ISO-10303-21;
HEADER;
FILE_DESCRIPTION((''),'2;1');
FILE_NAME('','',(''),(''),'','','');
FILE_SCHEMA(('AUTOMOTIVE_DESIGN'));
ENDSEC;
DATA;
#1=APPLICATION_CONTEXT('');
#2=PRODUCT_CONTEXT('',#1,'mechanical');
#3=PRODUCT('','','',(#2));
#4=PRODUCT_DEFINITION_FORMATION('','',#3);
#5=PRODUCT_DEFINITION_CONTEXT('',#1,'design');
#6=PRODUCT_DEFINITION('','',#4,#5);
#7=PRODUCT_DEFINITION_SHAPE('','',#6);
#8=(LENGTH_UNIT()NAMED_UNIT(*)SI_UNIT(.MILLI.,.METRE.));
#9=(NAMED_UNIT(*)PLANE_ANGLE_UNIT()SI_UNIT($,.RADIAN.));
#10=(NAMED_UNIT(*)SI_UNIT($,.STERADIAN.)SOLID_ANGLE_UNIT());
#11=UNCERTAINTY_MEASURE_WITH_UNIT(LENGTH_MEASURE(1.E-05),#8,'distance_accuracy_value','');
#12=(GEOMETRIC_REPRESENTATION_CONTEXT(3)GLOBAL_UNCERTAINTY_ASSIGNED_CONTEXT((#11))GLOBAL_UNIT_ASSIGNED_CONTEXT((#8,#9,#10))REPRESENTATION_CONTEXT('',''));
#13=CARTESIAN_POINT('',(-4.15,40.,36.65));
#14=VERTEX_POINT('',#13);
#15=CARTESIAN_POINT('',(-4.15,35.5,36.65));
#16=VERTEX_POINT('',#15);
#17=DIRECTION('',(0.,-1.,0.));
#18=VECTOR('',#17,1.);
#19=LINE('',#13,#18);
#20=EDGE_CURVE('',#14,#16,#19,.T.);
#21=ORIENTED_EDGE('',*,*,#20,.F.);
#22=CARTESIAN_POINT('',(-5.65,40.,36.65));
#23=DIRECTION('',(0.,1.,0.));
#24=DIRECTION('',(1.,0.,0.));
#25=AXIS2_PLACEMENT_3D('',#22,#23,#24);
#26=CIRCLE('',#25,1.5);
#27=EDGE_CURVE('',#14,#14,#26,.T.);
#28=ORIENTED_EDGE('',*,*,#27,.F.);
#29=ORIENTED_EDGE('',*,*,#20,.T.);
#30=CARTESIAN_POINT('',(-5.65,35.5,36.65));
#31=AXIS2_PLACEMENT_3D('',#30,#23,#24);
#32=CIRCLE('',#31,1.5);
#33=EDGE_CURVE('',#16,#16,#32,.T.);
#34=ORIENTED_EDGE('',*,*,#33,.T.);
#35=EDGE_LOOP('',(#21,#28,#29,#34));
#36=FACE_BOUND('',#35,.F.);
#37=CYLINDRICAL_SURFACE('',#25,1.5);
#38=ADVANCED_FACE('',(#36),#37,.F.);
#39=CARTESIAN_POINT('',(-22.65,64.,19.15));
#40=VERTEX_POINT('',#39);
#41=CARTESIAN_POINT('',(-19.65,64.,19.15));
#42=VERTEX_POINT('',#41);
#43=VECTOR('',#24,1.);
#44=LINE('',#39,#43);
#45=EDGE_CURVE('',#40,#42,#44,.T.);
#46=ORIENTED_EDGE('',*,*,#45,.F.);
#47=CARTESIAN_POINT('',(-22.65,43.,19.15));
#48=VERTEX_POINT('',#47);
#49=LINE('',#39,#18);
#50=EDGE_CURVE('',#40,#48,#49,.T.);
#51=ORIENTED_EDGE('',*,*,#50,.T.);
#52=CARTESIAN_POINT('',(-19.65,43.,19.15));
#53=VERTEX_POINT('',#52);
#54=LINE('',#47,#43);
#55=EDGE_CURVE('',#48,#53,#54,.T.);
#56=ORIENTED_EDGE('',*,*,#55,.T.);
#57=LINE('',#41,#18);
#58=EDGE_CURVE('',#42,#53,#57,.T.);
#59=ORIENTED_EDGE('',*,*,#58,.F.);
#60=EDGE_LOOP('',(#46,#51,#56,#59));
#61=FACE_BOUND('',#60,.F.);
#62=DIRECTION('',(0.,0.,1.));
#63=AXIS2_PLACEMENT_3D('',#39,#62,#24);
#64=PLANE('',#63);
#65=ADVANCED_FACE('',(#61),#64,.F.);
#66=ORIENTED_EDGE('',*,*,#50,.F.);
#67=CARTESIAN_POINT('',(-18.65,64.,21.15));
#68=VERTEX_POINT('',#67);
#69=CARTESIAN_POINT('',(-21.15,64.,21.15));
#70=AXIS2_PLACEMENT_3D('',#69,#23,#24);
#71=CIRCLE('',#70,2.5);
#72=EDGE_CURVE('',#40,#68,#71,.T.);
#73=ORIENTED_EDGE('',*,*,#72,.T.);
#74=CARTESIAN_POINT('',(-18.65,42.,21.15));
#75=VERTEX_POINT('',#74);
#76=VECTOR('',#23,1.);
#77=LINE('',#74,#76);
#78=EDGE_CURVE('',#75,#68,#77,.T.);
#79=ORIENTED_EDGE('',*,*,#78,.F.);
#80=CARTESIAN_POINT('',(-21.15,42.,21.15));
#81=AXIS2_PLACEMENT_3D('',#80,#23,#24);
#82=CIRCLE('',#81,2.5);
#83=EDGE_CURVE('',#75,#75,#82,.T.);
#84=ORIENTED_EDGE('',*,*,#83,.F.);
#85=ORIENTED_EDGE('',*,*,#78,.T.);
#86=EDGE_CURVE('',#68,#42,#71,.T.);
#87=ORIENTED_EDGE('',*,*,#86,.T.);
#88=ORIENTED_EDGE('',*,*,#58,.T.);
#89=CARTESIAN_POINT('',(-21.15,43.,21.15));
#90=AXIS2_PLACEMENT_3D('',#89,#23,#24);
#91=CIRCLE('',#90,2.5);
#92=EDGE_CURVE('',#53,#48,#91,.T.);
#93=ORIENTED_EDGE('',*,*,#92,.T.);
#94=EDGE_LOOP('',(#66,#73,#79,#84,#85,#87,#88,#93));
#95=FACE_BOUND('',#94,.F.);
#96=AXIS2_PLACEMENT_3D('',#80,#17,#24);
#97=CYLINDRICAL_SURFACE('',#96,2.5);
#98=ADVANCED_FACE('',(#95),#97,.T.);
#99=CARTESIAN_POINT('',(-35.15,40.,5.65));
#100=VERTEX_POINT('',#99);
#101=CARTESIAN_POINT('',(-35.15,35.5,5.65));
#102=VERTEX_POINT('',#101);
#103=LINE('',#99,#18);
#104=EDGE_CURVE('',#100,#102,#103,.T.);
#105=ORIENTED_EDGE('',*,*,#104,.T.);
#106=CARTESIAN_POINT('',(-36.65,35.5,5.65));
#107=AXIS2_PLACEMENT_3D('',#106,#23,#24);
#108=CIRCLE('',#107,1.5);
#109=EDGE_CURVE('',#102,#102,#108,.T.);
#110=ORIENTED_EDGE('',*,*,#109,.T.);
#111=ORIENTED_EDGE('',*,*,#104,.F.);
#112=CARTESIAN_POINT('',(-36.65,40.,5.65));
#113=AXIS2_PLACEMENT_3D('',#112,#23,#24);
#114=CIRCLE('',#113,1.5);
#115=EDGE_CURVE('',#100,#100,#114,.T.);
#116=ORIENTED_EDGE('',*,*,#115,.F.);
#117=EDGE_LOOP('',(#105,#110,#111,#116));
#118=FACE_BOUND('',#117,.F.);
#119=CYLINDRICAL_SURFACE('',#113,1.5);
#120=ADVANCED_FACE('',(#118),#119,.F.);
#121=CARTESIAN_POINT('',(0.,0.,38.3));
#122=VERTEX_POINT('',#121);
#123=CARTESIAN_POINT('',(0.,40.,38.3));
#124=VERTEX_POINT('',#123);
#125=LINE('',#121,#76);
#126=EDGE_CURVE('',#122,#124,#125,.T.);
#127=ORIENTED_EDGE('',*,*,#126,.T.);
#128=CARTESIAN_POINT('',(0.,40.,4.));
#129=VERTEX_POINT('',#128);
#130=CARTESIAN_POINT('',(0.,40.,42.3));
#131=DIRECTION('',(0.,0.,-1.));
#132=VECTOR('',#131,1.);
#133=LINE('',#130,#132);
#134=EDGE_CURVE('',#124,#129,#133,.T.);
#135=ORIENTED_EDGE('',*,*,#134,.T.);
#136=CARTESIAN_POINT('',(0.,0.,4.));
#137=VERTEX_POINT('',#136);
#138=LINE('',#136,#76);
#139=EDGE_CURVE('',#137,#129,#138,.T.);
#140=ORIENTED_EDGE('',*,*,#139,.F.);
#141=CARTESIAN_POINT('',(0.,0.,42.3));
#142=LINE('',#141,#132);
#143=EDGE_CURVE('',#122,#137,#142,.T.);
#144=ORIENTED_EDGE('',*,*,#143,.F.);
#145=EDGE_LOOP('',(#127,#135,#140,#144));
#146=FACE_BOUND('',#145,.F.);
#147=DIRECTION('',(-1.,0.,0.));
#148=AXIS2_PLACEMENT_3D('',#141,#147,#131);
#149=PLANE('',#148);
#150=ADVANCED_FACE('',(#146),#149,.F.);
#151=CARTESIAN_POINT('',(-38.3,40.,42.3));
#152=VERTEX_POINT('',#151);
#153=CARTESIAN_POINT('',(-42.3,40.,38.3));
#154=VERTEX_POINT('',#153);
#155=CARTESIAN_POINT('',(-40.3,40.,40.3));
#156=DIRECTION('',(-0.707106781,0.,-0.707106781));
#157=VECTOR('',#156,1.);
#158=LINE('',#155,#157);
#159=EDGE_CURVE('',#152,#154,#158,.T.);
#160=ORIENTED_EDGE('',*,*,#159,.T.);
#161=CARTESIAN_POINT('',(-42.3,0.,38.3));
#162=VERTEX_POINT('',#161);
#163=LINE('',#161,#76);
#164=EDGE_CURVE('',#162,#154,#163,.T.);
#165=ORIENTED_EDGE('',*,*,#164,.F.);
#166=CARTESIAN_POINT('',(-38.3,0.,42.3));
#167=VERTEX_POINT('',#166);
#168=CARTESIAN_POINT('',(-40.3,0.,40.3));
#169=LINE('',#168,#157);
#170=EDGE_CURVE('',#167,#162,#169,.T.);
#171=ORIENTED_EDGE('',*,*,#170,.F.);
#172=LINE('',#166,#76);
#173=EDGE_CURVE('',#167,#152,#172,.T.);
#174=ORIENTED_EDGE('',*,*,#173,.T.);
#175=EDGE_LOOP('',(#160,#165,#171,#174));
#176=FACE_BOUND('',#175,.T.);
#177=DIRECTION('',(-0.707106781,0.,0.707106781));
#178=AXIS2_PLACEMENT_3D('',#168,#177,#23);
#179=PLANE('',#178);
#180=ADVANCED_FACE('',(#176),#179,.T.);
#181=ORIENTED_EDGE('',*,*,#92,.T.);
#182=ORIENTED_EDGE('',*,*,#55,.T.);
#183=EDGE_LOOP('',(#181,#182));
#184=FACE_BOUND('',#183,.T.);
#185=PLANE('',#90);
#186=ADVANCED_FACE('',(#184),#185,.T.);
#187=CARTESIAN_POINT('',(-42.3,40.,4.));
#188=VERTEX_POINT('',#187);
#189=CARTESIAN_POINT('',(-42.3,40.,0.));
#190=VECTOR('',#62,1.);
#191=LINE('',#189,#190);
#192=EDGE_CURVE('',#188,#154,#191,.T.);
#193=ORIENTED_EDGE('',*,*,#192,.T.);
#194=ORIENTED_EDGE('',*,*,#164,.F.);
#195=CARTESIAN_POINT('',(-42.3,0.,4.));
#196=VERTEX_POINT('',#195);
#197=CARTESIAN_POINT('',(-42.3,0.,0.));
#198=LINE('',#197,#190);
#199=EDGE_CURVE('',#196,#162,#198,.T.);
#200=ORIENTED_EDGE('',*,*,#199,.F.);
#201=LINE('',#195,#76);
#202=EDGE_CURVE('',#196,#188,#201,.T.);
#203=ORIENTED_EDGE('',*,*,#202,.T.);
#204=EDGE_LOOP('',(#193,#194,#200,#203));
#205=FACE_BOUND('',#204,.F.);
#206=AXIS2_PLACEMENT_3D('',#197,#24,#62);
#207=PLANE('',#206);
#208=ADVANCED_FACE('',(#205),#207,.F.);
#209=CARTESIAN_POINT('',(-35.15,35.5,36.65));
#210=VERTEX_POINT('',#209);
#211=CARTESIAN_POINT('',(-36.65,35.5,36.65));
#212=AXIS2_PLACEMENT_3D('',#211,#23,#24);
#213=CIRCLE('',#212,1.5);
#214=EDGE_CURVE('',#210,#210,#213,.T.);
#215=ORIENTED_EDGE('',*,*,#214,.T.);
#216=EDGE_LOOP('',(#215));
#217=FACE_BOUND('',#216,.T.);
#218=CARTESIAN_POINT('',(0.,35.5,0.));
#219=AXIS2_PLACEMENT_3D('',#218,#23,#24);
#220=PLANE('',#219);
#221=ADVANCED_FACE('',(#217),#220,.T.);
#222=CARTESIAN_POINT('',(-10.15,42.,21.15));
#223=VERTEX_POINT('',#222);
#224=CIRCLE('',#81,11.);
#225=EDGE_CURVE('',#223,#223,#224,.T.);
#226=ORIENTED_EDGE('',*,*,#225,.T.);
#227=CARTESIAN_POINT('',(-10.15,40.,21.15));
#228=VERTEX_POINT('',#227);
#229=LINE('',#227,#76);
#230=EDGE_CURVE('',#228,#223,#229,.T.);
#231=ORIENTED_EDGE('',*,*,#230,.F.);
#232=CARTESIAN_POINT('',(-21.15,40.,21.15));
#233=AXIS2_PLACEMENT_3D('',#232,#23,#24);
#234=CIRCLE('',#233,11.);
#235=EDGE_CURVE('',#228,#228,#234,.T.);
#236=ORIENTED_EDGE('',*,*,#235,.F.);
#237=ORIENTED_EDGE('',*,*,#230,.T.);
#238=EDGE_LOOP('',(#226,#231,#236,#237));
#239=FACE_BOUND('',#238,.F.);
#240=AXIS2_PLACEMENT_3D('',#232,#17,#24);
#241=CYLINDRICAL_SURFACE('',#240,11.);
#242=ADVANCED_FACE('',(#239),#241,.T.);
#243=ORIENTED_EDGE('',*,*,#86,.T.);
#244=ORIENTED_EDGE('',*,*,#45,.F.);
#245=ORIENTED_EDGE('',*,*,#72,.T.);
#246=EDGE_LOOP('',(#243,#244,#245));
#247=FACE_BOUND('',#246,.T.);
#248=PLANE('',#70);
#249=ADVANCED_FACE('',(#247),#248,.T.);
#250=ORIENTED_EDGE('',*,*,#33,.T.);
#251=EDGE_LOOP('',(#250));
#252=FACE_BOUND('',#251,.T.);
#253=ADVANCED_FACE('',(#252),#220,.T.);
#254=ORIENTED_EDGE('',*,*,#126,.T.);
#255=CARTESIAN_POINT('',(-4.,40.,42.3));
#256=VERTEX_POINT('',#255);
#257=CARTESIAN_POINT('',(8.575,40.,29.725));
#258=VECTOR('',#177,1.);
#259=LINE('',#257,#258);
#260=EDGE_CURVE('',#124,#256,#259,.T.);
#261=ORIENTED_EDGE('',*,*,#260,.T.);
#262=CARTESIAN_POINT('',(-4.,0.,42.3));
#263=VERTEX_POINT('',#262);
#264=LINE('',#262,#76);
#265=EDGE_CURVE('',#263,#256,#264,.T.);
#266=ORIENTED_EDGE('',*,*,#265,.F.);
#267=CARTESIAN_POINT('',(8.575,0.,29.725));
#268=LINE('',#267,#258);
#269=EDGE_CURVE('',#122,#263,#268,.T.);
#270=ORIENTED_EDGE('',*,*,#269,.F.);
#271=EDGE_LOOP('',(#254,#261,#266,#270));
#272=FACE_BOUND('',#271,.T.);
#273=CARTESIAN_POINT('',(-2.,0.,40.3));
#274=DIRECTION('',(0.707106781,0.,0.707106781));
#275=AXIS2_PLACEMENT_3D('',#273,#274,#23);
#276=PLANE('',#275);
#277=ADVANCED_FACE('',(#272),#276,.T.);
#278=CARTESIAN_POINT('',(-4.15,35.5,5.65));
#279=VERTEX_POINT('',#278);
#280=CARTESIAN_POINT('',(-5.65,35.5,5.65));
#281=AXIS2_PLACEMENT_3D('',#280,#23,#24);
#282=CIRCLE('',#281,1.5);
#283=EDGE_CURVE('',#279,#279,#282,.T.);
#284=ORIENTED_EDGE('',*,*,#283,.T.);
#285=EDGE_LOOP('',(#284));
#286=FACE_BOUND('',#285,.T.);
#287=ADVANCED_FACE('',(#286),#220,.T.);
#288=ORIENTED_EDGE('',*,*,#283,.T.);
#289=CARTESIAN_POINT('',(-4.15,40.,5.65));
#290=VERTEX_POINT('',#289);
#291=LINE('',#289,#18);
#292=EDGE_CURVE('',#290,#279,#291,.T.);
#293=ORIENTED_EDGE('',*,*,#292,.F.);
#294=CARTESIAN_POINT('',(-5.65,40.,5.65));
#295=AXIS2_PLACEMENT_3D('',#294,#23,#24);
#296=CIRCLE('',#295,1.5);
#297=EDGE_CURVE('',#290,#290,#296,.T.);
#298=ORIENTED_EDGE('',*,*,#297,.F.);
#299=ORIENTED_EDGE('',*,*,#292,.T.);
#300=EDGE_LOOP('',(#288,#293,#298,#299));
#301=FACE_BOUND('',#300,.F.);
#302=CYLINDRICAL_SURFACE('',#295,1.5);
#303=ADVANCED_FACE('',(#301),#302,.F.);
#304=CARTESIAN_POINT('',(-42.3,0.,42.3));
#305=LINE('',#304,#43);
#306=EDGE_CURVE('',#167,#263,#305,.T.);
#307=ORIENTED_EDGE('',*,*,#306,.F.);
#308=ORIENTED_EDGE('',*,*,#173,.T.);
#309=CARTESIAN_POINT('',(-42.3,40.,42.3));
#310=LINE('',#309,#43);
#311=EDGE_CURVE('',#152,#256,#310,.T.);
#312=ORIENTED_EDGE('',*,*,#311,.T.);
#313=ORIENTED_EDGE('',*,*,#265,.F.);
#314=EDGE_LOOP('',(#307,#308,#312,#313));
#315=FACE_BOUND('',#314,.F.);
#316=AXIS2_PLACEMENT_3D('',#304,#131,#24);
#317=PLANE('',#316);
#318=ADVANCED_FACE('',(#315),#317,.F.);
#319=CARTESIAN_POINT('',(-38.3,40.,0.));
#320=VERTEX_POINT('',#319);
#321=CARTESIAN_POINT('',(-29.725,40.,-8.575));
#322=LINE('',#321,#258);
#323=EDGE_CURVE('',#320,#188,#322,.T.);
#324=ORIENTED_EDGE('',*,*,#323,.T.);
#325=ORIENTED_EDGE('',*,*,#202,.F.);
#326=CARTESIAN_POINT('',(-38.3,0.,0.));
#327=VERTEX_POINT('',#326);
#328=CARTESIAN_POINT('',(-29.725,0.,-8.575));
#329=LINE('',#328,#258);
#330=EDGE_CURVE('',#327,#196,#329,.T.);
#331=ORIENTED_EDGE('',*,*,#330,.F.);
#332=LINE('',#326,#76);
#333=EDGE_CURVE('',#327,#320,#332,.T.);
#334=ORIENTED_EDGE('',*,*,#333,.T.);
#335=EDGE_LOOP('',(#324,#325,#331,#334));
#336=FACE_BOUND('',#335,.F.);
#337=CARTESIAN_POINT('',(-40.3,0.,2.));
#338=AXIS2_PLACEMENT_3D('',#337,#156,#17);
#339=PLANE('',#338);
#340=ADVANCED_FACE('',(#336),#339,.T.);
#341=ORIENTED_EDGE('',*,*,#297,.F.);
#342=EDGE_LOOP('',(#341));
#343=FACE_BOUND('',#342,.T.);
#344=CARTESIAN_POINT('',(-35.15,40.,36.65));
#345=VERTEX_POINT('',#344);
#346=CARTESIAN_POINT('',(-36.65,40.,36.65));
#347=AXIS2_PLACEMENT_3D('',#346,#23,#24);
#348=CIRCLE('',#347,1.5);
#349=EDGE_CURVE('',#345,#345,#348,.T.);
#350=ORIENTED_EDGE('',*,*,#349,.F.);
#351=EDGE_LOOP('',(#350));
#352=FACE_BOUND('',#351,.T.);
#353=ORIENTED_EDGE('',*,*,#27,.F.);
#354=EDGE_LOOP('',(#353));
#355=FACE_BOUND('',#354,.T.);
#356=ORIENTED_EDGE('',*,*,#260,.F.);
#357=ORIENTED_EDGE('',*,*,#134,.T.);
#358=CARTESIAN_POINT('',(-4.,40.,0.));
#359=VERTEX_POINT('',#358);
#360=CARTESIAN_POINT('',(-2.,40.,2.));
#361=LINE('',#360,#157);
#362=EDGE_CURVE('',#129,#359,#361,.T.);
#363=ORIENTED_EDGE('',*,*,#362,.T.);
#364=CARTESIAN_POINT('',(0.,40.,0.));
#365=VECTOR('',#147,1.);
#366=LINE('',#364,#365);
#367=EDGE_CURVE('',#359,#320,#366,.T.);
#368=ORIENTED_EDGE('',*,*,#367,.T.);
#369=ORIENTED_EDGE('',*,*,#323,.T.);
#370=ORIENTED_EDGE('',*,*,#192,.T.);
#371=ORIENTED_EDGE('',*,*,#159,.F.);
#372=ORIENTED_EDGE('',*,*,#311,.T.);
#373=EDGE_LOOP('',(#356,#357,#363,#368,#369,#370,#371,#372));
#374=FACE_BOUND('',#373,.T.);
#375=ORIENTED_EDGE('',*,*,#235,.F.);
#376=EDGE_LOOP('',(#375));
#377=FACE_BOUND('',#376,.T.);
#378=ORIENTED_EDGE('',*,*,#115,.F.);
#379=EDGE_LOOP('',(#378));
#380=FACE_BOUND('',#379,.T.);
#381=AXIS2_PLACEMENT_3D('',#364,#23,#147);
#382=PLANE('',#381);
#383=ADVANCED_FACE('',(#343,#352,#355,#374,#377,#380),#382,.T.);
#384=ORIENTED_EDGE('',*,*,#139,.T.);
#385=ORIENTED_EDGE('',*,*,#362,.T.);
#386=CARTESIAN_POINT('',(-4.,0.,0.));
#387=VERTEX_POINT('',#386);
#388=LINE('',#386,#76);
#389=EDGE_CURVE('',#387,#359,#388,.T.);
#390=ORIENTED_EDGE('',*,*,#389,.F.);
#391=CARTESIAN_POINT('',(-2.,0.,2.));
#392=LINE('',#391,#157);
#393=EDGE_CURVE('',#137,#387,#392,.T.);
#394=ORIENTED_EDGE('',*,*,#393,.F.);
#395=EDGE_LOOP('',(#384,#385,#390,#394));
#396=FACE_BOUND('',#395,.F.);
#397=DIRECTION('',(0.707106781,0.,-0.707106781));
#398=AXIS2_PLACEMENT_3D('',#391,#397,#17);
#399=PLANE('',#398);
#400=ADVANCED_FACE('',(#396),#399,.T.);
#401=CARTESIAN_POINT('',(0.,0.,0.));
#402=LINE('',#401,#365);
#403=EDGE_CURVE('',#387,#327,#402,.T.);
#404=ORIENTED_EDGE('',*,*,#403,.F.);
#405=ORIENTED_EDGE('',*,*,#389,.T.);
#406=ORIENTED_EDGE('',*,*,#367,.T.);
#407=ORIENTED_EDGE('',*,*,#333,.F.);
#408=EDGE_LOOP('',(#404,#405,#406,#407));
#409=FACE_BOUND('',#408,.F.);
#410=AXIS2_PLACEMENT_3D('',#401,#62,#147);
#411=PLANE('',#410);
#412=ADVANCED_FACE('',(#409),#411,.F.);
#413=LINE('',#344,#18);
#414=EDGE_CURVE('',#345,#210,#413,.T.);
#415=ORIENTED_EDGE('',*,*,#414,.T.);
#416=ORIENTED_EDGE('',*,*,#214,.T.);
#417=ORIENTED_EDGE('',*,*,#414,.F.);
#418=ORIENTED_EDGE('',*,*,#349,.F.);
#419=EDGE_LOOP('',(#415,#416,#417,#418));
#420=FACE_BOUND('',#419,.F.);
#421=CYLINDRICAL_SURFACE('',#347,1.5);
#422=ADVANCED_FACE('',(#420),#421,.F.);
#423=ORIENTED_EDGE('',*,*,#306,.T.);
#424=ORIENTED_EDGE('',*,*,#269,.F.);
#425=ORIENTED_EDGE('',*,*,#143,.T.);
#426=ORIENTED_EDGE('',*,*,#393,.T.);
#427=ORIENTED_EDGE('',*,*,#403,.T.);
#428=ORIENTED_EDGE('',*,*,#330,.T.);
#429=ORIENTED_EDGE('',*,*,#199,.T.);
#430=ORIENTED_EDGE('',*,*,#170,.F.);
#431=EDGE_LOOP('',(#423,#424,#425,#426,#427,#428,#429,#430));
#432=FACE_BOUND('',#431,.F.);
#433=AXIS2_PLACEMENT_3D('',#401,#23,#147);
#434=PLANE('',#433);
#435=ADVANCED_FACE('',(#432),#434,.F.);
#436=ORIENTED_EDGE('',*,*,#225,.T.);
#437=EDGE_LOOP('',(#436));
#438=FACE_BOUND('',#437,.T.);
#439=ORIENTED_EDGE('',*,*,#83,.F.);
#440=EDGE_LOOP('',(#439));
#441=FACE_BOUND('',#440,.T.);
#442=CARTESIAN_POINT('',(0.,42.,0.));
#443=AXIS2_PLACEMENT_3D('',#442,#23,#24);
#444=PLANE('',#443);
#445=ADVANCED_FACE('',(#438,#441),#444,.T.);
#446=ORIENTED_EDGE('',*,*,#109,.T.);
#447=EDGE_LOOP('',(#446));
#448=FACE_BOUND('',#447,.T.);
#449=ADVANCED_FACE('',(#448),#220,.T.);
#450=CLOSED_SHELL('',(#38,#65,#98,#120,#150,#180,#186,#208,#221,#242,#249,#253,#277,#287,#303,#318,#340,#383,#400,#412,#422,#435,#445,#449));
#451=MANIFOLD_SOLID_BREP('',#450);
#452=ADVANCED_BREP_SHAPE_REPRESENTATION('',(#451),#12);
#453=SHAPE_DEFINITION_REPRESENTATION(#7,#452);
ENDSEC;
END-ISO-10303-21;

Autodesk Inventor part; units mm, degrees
ref_plane "YZ Plane" through (0, 0, 0) normal (1, 0, 0) x (0, 1, 0)
ref_plane "XZ Plane" through (0, 0, 0) normal (0, 1, 0) x (-1, 0, 0)
ref_plane "XY Plane" through (0, 0, 0) normal (0, 0, 1) x (1, 0, 0)
sketch "Sketch1" plane through (0, 0, 0) normal (0, 1, 0) x (-1, 0, 0)
  line L0 (0, 0) -> (42.3, 0)
  line L1 (42.3, 0) -> (42.3, 42.3)
  line L2 (42.3, 42.3) -> (0, 42.3)
  line L3 (0, 42.3) -> (0, 0)
  dimension "d0" = 42.3
  dimension "d1" = 42.3
extrude "Extrusion1" add sketch "Sketch1" along normal blind 40
sketch "Sketch2" plane through (0, 40, 0) normal (0, 1, 0) x (1, 0, 0)
  line L0 (0, 0) -> (-42.3, 0) projected
  line L1 (0, -42.3) -> (0, 0) projected
  circle A0 centre (-21.15, -21.15) radius 11
  point P0 (0, -2)
  point P1 (-2, 0)
  point P2 (-40.3, 0)
  point P3 (0, -40.3)
  dimension "d6" = 22
  dimension "d7" = 21.15
  dimension "d8" = 21.15
extrude "Extrusion2" add sketch "Sketch2" along normal blind 2
sketch "Sketch3" plane through (-21.15, 42, 21.15) normal (0, 1, 0) x (1, 0, 0)
  circle A0 centre (0, 0) radius 11 projected
  circle A1 centre (0, 0) radius 2.5
  point P0 (21.15, 21.15)
  dimension "d11" = 5
extrude "Extrusion3" add sketch "Sketch3" along normal blind 22 contours A1
sketch "Sketch4" plane through (-21.15, 64, 21.15) normal (0, 1, 0) x (1, 0, 0)
  circle A0 centre (0, 0) radius 2.5 projected
  line L0 (-1.5, 2) -> (1.5, 2)
  point P0 (21.15, 21.15)
  dimension "d14" = 2
extrude "Extrusion4" cut sketch "Sketch4" against normal blind 21 contours L0 A0 picked at (-0.3466, 2.0912)
sketch "Sketch5" plane through (0, 40, 0) normal (0, 1, 0) x (1, 0, 0)
  line L0 (-42.3, 0) -> (-42.3, -42.3) projected
  line L1 (-42.3, -42.3) -> (0, -42.3) projected
  circle A0 centre (-36.65, -5.65) radius 1.5
  circle A1 centre (-5.65, -5.65) radius 1.5
  circle A2 centre (-5.65, -36.65) radius 1.5
  circle A3 centre (-36.65, -36.65) radius 1.5
  point P0 (-42.3, -2)
  point P1 (-42.3, -40.3)
  point P2 (-40.3, -42.3)
  point P3 (-2, -42.3)
  point P4 (0, 0)
  dimension "d17" = 3
  dimension "d18" = 3
  dimension "d19" = 3
  dimension "d20" = 3
  dimension "d21" = 31
  dimension "d22" = 5.65
  dimension "d23" = 31
  dimension "d24" = 5.65
extrude "Extrusion5" cut sketch "Sketch5" against normal blind 4.5
chamfer "Chamfer1" distance 4 angle 45 4 edges at (-42.3, 20, 0) (-42.3, 20, 42.3) (0, 20, 0) (0, 20, 42.3)
properties part number "StepperMotorNema17x40mm"
